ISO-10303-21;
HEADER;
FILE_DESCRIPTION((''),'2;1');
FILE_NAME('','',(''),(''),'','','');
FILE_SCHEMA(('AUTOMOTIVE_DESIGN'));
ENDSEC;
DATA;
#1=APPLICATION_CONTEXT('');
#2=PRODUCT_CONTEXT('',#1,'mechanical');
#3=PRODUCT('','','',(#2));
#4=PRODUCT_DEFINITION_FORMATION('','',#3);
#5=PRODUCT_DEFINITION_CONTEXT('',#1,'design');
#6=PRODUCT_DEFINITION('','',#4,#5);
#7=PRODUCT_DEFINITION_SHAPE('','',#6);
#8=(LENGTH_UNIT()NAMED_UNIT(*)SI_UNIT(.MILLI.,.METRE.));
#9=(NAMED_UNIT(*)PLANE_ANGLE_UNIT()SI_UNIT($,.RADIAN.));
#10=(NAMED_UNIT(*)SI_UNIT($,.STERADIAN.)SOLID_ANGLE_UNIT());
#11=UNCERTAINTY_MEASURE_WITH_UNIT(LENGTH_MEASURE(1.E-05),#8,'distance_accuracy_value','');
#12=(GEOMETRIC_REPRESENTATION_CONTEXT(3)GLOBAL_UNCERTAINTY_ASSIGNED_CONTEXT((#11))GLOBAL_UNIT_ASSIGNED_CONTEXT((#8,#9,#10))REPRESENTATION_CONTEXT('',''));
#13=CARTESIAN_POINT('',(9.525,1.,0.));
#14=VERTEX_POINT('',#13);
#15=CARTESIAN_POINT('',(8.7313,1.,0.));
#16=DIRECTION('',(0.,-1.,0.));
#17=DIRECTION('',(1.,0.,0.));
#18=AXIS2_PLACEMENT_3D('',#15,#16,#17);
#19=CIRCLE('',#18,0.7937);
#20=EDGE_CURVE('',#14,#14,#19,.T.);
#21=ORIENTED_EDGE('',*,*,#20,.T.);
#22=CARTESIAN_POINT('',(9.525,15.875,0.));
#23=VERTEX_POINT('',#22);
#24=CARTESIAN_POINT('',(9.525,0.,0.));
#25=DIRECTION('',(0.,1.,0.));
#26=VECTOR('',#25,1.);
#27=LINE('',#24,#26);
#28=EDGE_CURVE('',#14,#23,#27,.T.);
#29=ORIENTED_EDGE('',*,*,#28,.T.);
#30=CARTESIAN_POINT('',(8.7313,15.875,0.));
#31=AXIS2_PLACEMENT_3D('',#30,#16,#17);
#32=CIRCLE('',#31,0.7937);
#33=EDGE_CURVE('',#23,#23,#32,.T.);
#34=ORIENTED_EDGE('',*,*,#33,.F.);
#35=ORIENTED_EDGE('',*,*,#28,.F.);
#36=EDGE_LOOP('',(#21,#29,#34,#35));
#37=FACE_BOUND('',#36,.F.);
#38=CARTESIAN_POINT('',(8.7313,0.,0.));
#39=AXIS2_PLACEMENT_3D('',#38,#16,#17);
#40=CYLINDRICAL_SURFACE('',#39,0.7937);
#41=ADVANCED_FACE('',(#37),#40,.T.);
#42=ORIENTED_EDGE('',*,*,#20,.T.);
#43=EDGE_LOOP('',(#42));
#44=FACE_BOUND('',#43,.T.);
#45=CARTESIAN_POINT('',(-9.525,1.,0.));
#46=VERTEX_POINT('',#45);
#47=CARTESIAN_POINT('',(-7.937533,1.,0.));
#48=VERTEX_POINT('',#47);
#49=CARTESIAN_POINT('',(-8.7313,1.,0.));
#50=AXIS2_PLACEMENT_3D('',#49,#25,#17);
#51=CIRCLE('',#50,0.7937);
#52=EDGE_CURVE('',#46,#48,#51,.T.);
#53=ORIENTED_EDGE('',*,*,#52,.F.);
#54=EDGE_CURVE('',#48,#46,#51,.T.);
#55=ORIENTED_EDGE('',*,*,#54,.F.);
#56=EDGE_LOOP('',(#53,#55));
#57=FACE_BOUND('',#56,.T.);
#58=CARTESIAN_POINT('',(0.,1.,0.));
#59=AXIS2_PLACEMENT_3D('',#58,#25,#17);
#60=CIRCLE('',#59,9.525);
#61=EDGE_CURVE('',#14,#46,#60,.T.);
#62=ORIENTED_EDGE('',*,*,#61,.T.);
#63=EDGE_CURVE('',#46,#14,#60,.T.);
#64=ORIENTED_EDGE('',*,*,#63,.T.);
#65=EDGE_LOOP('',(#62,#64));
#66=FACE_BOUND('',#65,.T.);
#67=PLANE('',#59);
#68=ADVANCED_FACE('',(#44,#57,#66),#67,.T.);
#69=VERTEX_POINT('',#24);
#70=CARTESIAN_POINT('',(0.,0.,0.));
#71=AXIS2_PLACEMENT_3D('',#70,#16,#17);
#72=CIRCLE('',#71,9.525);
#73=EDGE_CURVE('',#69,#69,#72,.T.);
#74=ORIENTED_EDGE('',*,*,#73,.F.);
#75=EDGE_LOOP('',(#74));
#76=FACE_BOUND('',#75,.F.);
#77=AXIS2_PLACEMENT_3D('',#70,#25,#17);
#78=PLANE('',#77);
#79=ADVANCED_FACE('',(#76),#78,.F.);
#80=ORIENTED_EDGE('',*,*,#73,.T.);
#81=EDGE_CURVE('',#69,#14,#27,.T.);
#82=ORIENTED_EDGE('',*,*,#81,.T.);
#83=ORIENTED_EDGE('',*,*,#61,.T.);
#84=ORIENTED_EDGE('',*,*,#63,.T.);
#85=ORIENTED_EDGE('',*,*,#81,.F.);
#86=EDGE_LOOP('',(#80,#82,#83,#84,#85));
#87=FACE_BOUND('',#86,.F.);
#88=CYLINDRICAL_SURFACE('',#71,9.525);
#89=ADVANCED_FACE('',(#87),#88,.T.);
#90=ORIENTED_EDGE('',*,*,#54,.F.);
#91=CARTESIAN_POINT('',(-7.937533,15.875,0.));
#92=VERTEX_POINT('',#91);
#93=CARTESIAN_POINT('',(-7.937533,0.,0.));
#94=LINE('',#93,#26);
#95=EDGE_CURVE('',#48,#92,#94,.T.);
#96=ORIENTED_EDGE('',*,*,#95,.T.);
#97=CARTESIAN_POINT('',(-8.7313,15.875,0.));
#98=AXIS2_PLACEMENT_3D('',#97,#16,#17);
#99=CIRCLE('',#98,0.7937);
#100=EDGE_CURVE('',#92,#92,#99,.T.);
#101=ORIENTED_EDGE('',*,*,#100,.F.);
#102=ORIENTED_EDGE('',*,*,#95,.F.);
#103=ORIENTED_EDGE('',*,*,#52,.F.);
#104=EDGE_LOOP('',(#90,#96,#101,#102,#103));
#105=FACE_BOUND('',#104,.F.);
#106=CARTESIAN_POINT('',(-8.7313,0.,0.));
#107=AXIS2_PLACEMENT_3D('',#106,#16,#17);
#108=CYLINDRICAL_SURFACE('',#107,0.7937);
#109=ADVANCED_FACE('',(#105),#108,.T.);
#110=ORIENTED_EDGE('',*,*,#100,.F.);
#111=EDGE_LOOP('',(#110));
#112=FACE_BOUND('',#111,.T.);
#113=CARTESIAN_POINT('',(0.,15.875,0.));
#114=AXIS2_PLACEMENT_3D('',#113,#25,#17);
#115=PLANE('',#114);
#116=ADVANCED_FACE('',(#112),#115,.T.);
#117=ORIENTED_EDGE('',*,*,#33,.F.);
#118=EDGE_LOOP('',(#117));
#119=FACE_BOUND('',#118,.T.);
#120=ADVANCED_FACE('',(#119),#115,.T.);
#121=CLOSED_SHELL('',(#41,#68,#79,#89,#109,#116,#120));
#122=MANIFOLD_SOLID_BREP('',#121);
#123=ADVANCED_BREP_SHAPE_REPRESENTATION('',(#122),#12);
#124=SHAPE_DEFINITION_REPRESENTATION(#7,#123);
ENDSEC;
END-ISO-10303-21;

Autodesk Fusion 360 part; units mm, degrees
sketch "Sketch1" plane through (0, 0, 0) normal (0, 1, 0) x (1, 0, 0)
  circle A0 centre (0, 0) radius 7.9375
  line L0 (0, 0) -> (7.9375, 0)
  line L1 (0, 0) -> (-7.9375, 0)
  line L2 (-7.9375, 0) -> (-8.7313, 0)
  circle A1 centre (-8.7313, 0) radius 0.7937
  line L3 (7.9375, 0) -> (8.7313, 0)
  circle A2 centre (8.7313, 0) radius 0.7937
  circle A3 centre (0, 0) radius 9.525
  dimension "d1" = 15.875
  dimension "d4" = 0.7937
  dimension "d5" = 1.5875
  dimension "d6" = 0.7937
  dimension "d7" = 1.5875
extrude "Extrude1" add sketch "Sketch1" along normal blind 1 contours A0 L0 L1 | A0 A1 A2 A3 | A0 L0 L1 | A0 A1 A2 A3
extrude "Extrude2" add sketch "Sketch1" along normal blind 15.875 contours A2 | A1
equation "d4 = ( 1.5875 / 2 ) * 1 mm"
equation "d6 = ( 1.5875 / 2 ) * 1 mm"
